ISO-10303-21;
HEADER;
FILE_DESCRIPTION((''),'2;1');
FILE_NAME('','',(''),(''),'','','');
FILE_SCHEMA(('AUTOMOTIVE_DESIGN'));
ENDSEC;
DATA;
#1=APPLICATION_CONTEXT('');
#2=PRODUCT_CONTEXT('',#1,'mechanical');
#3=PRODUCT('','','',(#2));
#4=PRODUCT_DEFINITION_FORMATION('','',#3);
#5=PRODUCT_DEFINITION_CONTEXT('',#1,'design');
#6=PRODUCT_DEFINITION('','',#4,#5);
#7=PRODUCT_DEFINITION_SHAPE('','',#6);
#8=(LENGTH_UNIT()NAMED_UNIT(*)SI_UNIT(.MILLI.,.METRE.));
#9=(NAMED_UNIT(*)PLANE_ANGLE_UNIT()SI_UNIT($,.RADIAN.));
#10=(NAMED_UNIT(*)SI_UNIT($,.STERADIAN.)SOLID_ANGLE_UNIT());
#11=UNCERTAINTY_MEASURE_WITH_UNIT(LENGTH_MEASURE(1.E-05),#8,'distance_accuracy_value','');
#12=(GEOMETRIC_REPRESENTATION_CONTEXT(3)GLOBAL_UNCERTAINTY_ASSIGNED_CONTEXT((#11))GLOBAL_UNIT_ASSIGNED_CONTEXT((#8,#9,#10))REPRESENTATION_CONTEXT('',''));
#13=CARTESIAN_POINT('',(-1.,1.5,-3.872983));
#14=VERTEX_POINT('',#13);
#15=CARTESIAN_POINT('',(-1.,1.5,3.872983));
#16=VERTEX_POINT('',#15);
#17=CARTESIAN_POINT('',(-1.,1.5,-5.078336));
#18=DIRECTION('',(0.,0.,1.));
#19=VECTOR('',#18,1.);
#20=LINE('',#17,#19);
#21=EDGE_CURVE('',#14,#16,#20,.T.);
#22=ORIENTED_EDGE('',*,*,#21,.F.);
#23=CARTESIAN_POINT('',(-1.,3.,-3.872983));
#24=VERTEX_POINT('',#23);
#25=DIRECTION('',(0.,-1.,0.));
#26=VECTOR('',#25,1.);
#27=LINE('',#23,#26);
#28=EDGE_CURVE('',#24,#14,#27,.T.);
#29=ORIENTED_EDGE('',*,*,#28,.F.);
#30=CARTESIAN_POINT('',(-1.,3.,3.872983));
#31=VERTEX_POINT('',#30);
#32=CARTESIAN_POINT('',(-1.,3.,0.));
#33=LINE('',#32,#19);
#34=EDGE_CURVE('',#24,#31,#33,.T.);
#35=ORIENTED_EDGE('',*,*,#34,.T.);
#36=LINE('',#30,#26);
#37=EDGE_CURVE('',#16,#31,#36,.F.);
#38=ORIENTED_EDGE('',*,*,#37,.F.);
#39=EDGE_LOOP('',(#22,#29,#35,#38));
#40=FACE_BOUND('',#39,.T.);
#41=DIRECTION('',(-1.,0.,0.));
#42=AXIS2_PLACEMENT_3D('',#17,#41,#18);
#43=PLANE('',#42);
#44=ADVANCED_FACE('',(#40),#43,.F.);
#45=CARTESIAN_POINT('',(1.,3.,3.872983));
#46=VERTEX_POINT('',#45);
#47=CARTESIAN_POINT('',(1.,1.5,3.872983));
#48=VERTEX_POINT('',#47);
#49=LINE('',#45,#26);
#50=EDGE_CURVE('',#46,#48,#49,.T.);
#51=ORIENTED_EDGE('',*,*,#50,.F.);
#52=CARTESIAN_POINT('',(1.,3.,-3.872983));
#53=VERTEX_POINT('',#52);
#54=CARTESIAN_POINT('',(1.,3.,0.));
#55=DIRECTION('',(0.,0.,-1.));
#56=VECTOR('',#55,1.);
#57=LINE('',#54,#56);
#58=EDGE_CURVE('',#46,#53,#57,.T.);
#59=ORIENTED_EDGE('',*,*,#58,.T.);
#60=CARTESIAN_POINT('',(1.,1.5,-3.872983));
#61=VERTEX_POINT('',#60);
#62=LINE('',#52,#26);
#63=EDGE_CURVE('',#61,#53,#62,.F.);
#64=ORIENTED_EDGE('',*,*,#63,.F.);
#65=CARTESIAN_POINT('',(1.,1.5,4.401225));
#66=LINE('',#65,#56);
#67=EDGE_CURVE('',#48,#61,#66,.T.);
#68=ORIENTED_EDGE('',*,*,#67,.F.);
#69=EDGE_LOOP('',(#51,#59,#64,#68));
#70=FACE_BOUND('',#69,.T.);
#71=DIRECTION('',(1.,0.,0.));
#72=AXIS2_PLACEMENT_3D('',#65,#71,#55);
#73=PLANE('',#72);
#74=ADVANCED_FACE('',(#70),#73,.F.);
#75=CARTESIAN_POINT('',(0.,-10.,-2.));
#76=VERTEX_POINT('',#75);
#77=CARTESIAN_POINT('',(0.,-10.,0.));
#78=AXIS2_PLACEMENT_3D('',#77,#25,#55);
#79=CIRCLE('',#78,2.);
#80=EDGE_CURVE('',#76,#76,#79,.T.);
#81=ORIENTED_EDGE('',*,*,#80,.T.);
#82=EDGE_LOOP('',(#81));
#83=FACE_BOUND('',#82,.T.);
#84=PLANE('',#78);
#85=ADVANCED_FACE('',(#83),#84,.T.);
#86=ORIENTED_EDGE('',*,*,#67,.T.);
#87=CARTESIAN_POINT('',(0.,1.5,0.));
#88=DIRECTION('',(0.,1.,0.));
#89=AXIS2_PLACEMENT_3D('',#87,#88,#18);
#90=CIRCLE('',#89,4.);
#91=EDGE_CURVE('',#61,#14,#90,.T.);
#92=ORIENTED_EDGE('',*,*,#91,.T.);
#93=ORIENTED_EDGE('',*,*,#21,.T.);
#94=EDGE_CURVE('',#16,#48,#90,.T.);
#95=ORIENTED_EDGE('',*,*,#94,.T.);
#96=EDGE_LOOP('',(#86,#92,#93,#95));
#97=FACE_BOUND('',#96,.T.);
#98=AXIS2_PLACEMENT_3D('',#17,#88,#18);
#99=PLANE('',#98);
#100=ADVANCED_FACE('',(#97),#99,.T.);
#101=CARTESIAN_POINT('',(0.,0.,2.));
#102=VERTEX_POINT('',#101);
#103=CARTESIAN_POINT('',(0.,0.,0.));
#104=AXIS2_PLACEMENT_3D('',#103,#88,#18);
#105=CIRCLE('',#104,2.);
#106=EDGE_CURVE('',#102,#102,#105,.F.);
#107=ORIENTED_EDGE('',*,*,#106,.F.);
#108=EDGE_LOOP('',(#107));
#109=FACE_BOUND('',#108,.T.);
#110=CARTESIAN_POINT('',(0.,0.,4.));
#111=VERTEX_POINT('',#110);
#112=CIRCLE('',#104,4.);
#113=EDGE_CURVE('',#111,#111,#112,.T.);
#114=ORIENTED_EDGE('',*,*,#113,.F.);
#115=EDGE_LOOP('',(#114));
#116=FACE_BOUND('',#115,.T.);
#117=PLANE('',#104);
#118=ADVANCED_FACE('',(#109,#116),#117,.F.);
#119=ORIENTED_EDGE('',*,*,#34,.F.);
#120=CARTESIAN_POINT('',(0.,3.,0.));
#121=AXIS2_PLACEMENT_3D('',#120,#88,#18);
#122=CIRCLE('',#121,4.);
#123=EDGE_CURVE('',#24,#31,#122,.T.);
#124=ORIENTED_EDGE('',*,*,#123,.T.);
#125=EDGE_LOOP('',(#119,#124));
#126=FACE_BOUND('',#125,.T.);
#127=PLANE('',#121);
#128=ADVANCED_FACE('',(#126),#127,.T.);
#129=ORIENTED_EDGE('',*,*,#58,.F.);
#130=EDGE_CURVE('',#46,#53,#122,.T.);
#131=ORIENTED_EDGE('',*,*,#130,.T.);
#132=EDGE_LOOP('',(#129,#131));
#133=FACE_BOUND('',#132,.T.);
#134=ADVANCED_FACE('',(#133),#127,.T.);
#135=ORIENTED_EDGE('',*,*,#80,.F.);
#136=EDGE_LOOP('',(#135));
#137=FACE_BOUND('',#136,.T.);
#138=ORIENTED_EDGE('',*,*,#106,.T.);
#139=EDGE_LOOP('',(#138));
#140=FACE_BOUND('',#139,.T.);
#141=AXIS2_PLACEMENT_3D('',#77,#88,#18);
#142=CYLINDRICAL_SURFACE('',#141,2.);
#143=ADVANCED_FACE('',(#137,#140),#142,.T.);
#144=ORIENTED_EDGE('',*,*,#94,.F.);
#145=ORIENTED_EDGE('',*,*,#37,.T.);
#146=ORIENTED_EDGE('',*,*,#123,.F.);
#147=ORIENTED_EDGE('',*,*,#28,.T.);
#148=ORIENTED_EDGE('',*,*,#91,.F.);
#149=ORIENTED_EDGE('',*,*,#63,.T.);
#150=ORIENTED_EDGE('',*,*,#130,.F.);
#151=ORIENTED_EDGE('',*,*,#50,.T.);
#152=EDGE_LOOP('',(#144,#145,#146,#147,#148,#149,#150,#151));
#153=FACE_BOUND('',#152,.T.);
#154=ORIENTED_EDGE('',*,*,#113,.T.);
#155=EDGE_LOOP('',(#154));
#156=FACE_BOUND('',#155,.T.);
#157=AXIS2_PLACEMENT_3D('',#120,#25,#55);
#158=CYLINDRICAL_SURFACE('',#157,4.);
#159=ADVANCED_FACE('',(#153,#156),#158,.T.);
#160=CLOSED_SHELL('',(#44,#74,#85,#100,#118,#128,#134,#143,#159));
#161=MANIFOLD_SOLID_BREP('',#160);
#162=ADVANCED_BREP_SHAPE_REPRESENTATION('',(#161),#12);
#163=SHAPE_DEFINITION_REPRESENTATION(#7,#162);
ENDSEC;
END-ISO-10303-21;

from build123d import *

# Parameters (mm, degrees)
SKETCH1_R          = 4
EXTRUDE1_DEPTH     = 3
CUT_EXTRUDE1_DEPTH = 1.5
SKETCH3_R          = 2
EXTRUDE2_DEPTH     = 10


with BuildPart() as part:
    # Sketch1 → Extrude1 (new body)
    with BuildSketch(Plane(origin=(0, 0, 0), x_dir=(1, 0, 0), z_dir=(0, 1, 0))):
        with Locations(Location((0, 0, 0), (0, 0, 270))):  # turned: the seam where the file's is
            Circle(SKETCH1_R)
    extrude(amount=EXTRUDE1_DEPTH)

    # Sketch2 → Cut-Extrude1 (cut)
    with BuildSketch(Plane(origin=(0, 3, 0), x_dir=(-1, 0, 0), z_dir=(0, 1, 0))):
        Polygon((0, 4.401224563), (-1, 4.401224563), (-1, -5.078336035), (1, -5.078336035), (1, 4.401224563), align=None)
    extrude(amount=-CUT_EXTRUDE1_DEPTH, mode=Mode.SUBTRACT)

    # Sketch3 → Extrude2 (add)
    with BuildSketch(Plane.XZ):
        with Locations(Location((0, 0, 0), (0, 0, 90))):  # turned: the seam where the file's is
            Circle(SKETCH3_R)
    extrude(amount=EXTRUDE2_DEPTH)


solid = part.part
